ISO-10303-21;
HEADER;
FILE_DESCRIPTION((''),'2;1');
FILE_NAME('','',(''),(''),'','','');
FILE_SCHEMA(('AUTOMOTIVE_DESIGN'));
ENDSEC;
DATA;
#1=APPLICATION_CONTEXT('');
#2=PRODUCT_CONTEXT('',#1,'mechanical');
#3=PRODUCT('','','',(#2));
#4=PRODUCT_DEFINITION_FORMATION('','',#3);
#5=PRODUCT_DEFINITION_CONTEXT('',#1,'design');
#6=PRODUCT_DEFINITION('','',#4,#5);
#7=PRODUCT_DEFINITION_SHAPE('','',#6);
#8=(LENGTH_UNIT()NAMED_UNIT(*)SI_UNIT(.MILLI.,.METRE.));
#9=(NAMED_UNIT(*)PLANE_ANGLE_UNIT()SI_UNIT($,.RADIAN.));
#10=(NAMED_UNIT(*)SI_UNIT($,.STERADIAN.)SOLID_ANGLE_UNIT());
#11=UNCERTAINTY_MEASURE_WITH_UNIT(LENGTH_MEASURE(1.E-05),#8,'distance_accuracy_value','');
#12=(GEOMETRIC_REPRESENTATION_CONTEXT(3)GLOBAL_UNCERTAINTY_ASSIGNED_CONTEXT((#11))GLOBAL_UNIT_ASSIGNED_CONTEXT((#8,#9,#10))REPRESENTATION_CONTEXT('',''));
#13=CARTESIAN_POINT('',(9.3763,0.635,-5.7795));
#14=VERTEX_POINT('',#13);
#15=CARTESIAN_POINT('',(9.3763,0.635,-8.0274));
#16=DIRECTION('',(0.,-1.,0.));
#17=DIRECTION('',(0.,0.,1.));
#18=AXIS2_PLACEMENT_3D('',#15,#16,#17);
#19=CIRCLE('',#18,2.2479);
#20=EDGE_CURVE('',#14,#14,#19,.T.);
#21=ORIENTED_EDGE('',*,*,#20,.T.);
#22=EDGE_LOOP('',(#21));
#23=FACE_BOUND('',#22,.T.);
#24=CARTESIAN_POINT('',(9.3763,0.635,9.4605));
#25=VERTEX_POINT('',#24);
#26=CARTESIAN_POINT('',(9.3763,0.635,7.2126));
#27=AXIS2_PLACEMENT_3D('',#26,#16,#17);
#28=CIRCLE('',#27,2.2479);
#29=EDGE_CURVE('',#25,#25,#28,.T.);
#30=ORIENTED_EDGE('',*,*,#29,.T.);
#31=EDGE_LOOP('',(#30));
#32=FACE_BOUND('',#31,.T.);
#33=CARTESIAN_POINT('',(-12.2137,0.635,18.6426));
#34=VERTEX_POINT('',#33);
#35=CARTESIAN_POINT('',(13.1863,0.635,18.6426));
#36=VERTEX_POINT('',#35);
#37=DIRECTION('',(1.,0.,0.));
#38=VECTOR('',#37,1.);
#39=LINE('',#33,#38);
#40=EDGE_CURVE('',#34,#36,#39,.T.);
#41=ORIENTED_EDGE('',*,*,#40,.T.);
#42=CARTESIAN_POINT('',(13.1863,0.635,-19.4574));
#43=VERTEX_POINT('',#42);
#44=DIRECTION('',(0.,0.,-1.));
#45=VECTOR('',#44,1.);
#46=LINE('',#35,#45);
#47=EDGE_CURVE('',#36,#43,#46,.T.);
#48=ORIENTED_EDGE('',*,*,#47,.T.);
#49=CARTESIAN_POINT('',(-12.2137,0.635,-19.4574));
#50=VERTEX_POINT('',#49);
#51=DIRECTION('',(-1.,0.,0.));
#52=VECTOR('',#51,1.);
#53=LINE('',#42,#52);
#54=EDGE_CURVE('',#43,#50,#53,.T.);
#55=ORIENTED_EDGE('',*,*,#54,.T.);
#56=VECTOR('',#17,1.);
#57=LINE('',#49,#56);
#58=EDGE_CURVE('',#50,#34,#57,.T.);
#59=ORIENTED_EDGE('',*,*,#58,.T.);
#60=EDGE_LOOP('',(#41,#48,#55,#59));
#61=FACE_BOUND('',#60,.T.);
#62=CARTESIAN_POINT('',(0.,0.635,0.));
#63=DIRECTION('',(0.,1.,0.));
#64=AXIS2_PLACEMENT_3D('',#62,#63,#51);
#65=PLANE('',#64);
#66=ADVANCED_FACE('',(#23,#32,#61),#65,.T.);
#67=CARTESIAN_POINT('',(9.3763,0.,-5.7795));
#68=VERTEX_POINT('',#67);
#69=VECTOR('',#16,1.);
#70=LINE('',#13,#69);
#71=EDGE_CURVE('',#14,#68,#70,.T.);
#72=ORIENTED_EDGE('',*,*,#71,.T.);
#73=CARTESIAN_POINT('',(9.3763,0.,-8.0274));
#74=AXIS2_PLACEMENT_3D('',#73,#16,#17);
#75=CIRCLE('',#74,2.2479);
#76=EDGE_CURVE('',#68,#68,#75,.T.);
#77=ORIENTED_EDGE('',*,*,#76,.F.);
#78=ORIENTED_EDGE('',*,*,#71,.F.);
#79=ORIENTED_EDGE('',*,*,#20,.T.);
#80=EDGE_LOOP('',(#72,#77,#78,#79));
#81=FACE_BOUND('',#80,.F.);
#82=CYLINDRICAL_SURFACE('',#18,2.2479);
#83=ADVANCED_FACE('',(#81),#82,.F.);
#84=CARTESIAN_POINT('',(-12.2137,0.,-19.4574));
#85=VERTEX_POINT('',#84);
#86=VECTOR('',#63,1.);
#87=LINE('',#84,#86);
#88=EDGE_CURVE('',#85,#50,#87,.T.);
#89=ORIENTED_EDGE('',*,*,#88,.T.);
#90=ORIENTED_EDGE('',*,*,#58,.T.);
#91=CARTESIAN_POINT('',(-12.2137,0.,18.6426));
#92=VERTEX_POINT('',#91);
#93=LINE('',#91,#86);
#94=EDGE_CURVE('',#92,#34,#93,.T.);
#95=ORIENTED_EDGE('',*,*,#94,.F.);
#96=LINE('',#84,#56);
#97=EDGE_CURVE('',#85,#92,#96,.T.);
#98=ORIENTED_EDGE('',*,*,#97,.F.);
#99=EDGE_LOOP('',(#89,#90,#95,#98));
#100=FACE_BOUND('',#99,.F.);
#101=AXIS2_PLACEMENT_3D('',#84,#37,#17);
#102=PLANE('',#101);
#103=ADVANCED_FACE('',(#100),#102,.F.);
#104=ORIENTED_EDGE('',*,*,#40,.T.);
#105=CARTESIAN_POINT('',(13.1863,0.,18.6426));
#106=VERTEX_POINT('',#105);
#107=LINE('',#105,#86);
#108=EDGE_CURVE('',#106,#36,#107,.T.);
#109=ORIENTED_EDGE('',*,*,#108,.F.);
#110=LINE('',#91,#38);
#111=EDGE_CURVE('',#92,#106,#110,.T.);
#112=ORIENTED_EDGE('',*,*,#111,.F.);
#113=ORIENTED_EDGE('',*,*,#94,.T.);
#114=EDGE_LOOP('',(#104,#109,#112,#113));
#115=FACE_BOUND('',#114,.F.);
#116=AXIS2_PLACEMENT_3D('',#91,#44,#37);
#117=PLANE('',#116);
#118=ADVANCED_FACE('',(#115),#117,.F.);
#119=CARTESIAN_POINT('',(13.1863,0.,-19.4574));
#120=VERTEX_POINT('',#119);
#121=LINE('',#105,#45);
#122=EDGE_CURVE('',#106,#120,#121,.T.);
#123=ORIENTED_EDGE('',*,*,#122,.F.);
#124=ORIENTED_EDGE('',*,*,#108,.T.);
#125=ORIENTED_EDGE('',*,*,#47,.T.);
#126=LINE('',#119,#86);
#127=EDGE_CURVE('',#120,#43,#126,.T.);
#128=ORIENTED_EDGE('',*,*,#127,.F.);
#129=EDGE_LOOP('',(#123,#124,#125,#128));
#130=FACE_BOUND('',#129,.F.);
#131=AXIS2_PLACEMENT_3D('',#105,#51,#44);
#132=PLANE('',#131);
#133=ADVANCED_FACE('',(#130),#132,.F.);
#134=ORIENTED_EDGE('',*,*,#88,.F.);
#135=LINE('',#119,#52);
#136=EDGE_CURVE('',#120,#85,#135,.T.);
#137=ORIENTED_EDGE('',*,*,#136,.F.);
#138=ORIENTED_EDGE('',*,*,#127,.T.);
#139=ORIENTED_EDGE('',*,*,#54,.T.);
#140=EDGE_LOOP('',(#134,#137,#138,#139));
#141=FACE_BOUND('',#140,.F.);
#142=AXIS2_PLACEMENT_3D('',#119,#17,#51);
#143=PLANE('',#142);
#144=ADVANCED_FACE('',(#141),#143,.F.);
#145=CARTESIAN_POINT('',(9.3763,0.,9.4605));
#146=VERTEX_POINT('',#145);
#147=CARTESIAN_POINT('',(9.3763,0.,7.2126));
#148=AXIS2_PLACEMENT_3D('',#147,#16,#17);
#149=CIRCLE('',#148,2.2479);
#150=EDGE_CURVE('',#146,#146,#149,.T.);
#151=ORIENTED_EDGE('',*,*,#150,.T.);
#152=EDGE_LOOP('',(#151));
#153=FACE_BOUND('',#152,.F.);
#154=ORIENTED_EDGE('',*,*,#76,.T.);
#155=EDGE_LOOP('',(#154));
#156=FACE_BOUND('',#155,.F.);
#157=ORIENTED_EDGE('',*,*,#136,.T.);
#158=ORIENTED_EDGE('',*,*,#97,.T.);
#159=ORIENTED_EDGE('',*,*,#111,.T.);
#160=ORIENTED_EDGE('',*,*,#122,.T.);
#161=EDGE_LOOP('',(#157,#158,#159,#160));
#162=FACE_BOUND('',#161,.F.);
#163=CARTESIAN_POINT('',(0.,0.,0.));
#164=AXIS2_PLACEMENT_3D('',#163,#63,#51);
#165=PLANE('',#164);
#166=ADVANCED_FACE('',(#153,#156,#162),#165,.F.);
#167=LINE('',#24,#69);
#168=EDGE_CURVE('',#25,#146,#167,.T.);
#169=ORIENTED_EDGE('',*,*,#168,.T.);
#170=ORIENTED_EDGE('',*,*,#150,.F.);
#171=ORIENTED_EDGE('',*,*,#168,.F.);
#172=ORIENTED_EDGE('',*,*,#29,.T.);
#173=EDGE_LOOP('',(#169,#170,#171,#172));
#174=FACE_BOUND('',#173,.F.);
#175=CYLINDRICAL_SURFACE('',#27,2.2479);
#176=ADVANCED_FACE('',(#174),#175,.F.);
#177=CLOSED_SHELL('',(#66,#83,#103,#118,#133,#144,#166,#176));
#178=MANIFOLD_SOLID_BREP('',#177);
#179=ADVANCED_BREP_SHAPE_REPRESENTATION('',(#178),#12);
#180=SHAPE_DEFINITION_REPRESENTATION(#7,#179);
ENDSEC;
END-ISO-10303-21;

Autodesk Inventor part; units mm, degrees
ref_plane "YZ Plane" through (0, 0, 0) normal (1, 0, 0) x (0, 1, 0)
ref_plane "XZ Plane" through (0, 0, 0) normal (0, 1, 0) x (-1, 0, 0)
ref_plane "XY Plane" through (0, 0, 0) normal (0, 0, 1) x (1, 0, 0)
sketch "Sketch1" plane through (0, 0, 0) normal (0, 1, 0) x (-1, 0, 0)
  line L0 (12.2137, 18.6426) -> (-13.1863, 18.6426)
  line L1 (-13.1863, 18.6426) -> (-13.1863, -19.4574)
  line L2 (-13.1863, -19.4574) -> (12.2137, -19.4574)
  line L3 (12.2137, -19.4574) -> (12.2137, 18.6426)
  point P0 (0, 0)
  dimension "d0" = 25.4
  dimension "d1" = 38.1
extrude "Extrusion1" add sketch "Sketch1" along normal blind 0.635
hole "Hole1" at (9.3763, 0.635, 7.2126) direction (0, -1, 0) diameter 4.4958 depth 0.635 clearance for "Flat Head Machine Screw (82)" size "#8" standard "Ansi Unified Screw Threads"
hole "Hole5" at (9.3763, 0.635, -8.0274) direction (0, -1, 0) diameter 4.4958 depth 25.4 clearance for "Flat Head Machine Screw (82)" size "#8" standard "Ansi Unified Screw Threads"
properties part number "Shielding side"
